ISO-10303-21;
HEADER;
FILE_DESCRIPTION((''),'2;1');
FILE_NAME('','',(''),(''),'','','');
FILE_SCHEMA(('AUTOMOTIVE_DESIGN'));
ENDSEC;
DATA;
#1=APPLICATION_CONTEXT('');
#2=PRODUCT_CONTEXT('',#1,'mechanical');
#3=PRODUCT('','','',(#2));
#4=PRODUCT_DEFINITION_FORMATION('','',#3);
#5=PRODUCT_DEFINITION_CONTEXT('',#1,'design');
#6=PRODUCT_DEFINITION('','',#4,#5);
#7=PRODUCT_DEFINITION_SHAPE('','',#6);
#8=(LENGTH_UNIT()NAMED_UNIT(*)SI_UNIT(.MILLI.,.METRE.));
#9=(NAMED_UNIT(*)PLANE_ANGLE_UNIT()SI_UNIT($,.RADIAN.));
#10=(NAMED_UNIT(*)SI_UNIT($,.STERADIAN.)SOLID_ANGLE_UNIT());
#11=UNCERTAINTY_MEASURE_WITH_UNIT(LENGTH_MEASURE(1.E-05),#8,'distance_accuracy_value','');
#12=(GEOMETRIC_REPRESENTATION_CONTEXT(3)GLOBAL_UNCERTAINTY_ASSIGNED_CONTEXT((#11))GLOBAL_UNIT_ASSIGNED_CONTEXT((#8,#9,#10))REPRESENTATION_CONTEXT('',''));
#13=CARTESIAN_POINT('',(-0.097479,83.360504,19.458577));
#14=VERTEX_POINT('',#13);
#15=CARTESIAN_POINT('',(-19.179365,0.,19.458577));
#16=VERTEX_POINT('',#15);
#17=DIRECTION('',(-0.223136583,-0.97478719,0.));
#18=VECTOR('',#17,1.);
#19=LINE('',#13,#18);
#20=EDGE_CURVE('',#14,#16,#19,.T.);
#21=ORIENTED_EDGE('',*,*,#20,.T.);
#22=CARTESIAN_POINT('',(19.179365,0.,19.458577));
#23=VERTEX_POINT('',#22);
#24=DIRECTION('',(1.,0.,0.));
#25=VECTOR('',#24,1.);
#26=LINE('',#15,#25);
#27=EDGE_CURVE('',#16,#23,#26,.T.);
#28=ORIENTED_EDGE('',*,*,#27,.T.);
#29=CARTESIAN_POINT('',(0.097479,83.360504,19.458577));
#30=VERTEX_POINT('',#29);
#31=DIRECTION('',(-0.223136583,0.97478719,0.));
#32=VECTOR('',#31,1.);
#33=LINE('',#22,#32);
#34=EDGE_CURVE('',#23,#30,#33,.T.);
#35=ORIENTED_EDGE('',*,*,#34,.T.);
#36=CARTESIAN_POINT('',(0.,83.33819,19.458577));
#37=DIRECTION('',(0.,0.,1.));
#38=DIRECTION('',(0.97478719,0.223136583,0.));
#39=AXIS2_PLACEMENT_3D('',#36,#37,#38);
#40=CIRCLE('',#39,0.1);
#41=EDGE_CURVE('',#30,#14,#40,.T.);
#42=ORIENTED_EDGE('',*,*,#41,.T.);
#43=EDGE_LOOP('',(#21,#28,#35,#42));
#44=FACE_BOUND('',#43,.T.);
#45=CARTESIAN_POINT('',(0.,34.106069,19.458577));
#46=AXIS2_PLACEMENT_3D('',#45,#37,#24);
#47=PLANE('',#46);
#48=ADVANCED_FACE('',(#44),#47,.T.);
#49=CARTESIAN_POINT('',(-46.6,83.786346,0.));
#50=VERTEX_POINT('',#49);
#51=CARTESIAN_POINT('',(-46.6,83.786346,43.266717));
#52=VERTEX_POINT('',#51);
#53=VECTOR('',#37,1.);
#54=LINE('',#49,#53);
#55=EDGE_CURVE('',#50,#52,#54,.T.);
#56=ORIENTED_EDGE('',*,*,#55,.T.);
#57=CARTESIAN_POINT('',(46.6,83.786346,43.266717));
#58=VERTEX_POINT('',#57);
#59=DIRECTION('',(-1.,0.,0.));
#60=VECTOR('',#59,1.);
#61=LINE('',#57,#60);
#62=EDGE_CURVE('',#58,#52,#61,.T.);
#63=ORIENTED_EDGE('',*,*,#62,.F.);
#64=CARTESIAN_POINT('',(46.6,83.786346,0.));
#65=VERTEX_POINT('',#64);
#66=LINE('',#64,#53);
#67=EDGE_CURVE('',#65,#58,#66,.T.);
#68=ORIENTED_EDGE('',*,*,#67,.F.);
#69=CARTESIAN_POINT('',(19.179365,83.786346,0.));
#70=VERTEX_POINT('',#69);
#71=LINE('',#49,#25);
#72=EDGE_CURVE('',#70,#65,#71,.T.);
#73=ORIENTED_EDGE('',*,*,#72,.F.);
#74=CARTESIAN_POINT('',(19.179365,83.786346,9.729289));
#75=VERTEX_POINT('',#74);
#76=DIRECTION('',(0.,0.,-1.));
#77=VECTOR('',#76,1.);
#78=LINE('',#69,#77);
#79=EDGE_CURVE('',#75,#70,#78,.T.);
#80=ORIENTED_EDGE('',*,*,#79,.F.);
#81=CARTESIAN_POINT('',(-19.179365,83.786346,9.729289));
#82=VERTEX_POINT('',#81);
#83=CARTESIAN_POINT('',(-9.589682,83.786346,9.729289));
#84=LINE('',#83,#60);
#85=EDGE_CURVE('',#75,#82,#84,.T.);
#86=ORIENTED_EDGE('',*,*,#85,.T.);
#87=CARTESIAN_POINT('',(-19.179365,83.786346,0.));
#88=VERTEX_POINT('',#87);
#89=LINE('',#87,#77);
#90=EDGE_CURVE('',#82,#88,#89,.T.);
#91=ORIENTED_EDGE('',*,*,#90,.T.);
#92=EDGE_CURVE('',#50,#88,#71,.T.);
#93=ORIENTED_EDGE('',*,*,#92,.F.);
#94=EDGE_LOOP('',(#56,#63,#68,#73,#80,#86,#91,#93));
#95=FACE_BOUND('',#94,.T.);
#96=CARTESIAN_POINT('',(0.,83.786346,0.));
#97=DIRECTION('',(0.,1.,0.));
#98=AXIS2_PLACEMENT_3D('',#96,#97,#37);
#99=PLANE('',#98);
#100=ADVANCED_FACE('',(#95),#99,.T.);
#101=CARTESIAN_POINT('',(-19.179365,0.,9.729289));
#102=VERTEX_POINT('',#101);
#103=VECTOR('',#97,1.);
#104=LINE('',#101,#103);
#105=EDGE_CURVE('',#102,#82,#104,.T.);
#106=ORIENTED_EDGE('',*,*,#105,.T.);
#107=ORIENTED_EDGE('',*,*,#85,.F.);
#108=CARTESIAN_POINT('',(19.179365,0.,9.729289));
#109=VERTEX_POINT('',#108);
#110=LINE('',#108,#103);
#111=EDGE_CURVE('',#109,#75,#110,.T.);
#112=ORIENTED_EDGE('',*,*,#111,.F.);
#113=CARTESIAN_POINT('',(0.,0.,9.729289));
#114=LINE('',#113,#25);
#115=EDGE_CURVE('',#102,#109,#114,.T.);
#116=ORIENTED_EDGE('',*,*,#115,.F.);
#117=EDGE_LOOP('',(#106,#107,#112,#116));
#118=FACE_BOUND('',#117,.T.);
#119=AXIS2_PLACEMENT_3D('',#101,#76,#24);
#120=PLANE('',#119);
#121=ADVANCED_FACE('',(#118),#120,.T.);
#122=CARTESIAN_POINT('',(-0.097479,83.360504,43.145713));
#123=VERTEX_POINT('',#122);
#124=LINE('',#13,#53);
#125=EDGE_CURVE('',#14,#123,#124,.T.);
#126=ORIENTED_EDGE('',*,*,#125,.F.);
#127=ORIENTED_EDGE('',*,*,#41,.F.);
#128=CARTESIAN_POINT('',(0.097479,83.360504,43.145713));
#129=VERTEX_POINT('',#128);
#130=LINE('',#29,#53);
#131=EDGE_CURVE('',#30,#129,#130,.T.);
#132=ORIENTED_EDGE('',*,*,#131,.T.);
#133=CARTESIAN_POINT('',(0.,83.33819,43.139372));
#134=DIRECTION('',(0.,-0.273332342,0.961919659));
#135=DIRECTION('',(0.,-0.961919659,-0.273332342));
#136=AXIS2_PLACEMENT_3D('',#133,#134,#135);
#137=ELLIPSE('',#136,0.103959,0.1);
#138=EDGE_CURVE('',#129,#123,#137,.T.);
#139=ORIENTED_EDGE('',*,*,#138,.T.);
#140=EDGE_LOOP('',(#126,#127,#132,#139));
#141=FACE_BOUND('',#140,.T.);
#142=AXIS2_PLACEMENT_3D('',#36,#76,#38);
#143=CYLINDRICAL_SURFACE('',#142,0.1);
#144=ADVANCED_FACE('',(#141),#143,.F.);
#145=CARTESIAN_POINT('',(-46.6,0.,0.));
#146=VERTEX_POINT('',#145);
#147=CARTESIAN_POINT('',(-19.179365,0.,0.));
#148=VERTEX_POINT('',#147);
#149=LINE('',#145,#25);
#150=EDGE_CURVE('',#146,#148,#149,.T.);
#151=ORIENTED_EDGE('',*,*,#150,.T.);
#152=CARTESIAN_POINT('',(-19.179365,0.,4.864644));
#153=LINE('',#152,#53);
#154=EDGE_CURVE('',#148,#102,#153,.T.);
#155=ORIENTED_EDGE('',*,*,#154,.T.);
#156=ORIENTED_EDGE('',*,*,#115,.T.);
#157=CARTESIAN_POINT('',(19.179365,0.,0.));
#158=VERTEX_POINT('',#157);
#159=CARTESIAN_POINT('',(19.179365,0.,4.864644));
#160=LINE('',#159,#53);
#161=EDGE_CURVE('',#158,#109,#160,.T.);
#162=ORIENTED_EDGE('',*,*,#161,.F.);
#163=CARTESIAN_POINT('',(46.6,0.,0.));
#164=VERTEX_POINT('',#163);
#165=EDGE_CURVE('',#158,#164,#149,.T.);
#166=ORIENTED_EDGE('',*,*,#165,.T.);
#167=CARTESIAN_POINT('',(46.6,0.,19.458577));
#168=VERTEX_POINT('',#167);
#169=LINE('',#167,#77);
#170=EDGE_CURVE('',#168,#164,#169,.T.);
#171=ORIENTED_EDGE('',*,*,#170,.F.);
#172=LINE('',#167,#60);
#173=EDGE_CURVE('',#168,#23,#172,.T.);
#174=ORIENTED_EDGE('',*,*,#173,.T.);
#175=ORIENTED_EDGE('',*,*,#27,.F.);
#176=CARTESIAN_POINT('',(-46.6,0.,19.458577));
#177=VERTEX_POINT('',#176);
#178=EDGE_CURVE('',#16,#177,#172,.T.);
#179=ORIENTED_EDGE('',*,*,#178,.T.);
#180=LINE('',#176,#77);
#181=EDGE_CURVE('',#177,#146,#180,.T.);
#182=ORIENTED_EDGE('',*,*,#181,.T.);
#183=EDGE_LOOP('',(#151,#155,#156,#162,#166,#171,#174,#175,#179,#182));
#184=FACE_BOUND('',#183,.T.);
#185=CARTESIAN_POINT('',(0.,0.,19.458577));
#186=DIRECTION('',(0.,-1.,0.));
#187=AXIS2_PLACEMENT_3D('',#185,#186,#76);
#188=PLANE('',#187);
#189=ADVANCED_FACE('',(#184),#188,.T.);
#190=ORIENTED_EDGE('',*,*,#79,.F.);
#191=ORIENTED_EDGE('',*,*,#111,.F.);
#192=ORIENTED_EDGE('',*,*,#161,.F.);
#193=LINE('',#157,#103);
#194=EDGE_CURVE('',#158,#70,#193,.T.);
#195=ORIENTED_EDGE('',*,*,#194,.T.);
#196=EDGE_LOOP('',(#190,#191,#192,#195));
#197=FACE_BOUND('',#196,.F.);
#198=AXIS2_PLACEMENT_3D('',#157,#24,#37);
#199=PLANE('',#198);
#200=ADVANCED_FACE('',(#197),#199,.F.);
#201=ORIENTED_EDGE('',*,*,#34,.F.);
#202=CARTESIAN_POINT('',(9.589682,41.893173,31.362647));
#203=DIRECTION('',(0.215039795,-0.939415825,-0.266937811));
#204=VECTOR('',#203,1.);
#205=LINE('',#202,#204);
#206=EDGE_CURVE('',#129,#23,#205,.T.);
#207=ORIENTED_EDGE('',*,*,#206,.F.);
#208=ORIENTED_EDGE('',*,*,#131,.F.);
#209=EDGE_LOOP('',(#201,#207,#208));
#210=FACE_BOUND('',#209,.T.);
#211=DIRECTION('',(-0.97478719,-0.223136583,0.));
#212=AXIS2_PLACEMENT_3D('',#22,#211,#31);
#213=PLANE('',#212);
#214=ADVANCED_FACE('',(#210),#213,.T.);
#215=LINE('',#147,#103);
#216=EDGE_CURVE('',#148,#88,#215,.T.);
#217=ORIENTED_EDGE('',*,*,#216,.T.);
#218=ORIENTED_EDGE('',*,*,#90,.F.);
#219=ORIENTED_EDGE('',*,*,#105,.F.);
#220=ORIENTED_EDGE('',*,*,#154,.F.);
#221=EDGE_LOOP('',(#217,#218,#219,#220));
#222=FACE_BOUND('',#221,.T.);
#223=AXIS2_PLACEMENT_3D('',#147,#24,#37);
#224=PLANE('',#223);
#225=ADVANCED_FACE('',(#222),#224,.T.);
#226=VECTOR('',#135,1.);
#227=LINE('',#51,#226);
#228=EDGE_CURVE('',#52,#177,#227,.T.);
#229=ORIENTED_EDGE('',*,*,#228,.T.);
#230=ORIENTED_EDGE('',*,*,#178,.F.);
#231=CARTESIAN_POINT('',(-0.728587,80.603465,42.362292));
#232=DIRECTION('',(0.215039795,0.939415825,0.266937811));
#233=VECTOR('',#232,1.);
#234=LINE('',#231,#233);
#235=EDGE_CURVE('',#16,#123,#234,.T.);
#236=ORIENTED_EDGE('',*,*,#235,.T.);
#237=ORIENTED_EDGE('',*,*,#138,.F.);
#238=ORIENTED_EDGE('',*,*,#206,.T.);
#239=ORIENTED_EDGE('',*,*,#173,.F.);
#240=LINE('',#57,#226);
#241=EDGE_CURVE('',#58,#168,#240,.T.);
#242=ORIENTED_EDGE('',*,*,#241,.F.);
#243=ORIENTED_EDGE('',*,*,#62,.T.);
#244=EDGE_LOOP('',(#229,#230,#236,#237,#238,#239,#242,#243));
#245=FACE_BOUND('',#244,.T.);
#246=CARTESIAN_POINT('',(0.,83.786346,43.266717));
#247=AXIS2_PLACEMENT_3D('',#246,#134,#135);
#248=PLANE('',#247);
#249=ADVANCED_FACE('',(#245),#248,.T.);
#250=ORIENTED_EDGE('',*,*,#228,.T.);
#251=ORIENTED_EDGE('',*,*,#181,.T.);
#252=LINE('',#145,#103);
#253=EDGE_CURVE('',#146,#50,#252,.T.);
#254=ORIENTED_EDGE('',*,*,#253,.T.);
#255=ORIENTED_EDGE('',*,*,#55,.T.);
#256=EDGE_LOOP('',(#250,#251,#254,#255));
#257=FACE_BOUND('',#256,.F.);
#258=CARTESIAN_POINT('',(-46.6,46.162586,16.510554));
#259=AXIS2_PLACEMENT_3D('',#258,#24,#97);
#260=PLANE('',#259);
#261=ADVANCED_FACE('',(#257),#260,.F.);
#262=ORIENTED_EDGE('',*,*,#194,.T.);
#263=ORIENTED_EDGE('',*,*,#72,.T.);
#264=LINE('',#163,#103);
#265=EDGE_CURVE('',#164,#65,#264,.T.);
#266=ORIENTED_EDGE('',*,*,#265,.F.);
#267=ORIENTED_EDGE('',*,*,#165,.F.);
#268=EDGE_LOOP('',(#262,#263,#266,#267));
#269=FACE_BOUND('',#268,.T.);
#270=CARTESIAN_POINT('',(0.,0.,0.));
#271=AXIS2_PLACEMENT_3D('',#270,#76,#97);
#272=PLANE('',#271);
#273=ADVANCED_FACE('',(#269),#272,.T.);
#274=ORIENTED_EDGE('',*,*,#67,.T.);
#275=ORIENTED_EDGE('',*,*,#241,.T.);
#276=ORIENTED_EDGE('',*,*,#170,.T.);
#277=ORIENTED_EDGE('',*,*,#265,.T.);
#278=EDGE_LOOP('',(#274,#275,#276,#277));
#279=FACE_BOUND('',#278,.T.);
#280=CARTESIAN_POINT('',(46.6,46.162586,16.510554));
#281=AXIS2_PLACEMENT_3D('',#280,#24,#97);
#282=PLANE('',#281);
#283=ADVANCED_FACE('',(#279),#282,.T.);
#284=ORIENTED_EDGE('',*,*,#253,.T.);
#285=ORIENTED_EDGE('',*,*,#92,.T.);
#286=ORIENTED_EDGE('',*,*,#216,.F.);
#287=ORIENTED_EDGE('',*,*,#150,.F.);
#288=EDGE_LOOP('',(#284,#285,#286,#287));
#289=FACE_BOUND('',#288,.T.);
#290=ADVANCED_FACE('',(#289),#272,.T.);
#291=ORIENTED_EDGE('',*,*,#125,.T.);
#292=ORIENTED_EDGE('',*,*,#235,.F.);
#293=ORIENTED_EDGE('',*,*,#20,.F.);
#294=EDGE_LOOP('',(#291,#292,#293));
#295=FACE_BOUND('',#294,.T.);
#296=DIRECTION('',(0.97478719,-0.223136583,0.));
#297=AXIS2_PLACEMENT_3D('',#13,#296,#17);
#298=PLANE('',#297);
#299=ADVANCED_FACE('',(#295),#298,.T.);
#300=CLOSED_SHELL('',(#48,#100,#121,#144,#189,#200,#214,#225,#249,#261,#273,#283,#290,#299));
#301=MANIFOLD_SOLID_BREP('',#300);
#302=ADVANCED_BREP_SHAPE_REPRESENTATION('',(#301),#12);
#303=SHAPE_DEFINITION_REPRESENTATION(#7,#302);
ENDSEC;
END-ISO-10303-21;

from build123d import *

# Parameters (mm, degrees)
F1_DEPTH = 46.6
F2_W     = 38.3587293327
F2_H     = 9.7292885184
F3_DEPTH = 83.7873460183
F6_DEPTH = 23.8091403077


with BuildPart() as f1:
    # F0 (on Right) → F1 (new body, symmetric)
    with BuildSketch(Plane.YZ):
        Polygon((0, 19.4585770369), (0, 0), (83.7863460183, 0), (83.7863460183, 43.2667173445), align=None)
    extrude(amount=F1_DEPTH, both=True)

    # F2 (on face) → F3 (cut, through all)
    with BuildSketch(Plane.XZ):
        with Locations((0, 4.8646442592)):
            Rectangle(F2_W, F2_H)
    extrude(amount=-F3_DEPTH, mode=Mode.SUBTRACT)

    # F5 (on plane+point) → F6 (cut, through all)
    with BuildSketch(Plane.XY.offset(19.4585770369)):
        with BuildLine():
            Line((-19.1793646663, 0), (19.1793646663, 0))
            Line((19.1793646663, 0), (0.097478719, 83.3605036706))
            ThreePointArc((0.097478719, 83.3605036706), (0, 83.4381900123), (-0.097478719, 83.3605036706))
            Line((-0.097478719, 83.3605036706), (-19.1793646663, 0))
        make_face()
    extrude(amount=F6_DEPTH, mode=Mode.SUBTRACT)


solid = f1.part
